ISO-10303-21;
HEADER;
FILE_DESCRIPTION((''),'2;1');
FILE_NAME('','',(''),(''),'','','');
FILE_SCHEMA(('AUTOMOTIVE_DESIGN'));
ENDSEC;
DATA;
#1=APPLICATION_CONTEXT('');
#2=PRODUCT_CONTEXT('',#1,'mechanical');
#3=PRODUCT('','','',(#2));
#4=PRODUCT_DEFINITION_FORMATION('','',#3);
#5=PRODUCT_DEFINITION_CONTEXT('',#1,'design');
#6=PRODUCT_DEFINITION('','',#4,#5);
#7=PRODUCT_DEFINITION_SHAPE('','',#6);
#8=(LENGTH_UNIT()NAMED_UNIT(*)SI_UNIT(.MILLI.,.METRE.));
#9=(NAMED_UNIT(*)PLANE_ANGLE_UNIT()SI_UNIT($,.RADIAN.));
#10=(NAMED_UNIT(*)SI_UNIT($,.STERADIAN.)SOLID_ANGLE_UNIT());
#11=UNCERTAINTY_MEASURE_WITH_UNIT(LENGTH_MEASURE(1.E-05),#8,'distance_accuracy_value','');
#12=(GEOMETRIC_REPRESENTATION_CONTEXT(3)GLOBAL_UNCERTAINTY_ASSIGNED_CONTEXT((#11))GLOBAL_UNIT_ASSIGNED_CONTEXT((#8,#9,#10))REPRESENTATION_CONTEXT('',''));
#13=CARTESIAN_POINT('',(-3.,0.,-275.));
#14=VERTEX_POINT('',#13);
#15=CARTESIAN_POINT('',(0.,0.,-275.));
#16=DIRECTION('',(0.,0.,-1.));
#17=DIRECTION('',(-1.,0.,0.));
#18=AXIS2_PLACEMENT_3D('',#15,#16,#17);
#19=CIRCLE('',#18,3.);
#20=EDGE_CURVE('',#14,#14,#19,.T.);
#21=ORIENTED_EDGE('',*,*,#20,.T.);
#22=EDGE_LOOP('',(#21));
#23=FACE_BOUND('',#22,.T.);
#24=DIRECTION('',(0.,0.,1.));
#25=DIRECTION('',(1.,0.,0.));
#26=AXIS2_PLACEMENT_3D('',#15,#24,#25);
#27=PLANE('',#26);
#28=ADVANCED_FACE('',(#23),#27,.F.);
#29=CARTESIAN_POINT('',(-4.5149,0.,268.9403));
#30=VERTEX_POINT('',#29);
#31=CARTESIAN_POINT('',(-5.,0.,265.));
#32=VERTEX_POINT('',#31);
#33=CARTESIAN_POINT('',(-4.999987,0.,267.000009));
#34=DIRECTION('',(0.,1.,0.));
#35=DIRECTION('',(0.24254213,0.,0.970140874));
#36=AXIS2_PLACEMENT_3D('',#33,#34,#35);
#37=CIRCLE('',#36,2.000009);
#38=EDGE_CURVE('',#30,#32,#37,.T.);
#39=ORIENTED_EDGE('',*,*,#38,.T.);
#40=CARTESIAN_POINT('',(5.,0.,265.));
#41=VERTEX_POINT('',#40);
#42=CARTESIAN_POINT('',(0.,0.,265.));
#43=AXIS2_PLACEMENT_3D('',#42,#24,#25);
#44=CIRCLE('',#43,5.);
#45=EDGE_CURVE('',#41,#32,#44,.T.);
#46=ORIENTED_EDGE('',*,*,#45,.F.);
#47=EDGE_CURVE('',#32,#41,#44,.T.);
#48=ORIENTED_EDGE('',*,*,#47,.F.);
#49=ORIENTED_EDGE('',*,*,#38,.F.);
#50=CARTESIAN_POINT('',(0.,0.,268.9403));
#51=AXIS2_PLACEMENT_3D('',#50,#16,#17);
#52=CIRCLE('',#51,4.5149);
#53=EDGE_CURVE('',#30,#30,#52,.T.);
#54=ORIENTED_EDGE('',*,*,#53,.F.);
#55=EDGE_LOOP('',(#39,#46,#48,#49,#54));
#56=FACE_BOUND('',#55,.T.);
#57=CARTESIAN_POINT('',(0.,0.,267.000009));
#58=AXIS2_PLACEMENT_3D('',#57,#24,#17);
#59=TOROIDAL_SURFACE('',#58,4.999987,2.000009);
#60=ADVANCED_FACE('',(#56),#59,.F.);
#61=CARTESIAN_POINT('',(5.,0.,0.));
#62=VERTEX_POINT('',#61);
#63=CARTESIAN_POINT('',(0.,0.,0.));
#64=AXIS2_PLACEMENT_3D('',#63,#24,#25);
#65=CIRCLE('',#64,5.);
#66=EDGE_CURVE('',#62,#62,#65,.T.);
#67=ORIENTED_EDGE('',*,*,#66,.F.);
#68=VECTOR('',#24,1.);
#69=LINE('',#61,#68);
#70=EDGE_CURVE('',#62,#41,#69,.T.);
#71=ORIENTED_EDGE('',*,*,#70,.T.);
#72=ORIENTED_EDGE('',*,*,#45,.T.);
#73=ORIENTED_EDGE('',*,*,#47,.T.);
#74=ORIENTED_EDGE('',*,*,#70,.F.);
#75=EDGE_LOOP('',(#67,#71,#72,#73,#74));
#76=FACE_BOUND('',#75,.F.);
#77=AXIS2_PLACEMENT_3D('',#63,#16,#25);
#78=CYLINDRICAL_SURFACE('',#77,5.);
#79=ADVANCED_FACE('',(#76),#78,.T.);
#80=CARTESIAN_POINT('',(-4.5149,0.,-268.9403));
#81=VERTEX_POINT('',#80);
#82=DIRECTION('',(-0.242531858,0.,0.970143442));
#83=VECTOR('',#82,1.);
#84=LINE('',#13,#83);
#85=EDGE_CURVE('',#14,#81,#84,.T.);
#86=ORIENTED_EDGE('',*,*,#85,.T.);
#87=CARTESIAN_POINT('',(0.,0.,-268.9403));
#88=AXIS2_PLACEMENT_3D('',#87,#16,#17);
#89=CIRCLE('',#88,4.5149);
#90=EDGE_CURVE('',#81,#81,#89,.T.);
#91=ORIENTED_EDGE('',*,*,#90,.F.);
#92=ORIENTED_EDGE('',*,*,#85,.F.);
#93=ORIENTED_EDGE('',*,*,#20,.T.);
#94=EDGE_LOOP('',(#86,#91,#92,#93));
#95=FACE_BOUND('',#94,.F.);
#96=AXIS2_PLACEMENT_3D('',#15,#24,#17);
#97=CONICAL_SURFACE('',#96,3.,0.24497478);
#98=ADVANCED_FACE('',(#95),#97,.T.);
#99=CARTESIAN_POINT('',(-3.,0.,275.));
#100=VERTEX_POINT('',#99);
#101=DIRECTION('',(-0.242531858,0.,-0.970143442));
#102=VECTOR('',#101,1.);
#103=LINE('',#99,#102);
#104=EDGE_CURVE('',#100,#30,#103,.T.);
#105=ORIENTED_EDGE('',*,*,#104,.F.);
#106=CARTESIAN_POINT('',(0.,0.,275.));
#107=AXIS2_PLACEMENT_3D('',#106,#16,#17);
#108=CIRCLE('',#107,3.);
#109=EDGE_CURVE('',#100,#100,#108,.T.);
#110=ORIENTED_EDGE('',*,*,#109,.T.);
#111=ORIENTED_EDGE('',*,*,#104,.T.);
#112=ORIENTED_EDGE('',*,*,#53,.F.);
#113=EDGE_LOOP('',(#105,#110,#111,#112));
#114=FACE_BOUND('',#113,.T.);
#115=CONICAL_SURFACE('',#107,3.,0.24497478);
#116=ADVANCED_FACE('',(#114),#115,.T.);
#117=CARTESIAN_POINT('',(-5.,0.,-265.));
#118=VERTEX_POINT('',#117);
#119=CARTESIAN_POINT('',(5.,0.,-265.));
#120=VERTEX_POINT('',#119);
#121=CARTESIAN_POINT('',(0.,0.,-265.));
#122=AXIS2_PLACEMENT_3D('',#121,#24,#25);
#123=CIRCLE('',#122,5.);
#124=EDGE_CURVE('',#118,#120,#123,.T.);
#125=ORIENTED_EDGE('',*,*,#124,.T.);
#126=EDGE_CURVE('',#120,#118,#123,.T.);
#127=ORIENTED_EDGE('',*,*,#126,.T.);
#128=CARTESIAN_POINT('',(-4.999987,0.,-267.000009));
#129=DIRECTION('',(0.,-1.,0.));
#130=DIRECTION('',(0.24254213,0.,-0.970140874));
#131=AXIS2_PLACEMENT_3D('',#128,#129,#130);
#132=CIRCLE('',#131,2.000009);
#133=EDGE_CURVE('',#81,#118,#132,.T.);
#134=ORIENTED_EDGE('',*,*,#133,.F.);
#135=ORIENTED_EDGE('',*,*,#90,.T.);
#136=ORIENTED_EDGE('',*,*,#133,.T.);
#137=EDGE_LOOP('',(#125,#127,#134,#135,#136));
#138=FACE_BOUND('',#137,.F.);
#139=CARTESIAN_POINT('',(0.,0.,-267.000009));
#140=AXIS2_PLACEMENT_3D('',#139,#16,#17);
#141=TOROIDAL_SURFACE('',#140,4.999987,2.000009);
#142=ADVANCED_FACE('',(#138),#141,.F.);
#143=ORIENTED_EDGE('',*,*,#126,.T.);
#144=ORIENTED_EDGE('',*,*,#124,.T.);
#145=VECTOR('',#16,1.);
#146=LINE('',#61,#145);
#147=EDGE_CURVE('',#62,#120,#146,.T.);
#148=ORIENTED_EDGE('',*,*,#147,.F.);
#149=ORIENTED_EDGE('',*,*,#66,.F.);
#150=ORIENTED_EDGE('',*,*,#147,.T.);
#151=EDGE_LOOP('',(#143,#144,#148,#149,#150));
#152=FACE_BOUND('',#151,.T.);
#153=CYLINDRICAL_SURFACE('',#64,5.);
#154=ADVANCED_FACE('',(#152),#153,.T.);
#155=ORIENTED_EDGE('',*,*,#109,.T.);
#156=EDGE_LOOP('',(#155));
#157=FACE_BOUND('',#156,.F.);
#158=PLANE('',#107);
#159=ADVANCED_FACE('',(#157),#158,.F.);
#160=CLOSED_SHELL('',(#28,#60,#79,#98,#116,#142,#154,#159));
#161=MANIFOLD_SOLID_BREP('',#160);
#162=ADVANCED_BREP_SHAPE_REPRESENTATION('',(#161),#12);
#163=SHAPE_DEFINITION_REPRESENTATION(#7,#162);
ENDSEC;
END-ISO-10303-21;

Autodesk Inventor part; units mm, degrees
ref_plane "YZ Plane" through (0, 0, 0) normal (1, 0, 0) x (0, 1, 0)
ref_plane "XZ Plane" through (0, 0, 0) normal (0, 1, 0) x (-1, 0, 0)
ref_plane "XY Plane" through (0, 0, 0) normal (0, 0, 1) x (1, 0, 0)
sketch "草图1" plane through (0, 0, 0) normal (0, 0, 1) x (1, 0, 0)
  circle A0 centre (0, 0) radius 5
  dimension "d0" = 10
extrude "拉伸1" add sketch "草图1" along normal mid plane 530
sketch "草图2" plane through (0, 0, 0) normal (0, 1, 0) x (-1, 0, 0)
  arc A0 (4.5149, 268.9403) -> (5, 265) centre (5, 267) ccw
  line L0 (5, 265) -> (-5, 265) projected
  line L1 (3, 275) -> (4.5149, 268.9403)
  line L2 (3, 275) -> (0, 275)
  line L3 (0, 275) -> (0, 265)
  line L4 (5, 265) -> (0, 265)
  point P0 (0, 0)
  dimension "d4" = 2
  dimension "d5" = 2
  dimension "d7" = 10
  dimension "d10" = 5
  dimension "d11" = 3
revolve "旋转1" add sketch "草图2" angle 360 about axis through (0, 0, 275) along (0, 0, -1)
mirror "镜像1" about plane through (0, 0, 0) normal (0, 0, 1) of "旋转1"
properties part number "载板连接销"
